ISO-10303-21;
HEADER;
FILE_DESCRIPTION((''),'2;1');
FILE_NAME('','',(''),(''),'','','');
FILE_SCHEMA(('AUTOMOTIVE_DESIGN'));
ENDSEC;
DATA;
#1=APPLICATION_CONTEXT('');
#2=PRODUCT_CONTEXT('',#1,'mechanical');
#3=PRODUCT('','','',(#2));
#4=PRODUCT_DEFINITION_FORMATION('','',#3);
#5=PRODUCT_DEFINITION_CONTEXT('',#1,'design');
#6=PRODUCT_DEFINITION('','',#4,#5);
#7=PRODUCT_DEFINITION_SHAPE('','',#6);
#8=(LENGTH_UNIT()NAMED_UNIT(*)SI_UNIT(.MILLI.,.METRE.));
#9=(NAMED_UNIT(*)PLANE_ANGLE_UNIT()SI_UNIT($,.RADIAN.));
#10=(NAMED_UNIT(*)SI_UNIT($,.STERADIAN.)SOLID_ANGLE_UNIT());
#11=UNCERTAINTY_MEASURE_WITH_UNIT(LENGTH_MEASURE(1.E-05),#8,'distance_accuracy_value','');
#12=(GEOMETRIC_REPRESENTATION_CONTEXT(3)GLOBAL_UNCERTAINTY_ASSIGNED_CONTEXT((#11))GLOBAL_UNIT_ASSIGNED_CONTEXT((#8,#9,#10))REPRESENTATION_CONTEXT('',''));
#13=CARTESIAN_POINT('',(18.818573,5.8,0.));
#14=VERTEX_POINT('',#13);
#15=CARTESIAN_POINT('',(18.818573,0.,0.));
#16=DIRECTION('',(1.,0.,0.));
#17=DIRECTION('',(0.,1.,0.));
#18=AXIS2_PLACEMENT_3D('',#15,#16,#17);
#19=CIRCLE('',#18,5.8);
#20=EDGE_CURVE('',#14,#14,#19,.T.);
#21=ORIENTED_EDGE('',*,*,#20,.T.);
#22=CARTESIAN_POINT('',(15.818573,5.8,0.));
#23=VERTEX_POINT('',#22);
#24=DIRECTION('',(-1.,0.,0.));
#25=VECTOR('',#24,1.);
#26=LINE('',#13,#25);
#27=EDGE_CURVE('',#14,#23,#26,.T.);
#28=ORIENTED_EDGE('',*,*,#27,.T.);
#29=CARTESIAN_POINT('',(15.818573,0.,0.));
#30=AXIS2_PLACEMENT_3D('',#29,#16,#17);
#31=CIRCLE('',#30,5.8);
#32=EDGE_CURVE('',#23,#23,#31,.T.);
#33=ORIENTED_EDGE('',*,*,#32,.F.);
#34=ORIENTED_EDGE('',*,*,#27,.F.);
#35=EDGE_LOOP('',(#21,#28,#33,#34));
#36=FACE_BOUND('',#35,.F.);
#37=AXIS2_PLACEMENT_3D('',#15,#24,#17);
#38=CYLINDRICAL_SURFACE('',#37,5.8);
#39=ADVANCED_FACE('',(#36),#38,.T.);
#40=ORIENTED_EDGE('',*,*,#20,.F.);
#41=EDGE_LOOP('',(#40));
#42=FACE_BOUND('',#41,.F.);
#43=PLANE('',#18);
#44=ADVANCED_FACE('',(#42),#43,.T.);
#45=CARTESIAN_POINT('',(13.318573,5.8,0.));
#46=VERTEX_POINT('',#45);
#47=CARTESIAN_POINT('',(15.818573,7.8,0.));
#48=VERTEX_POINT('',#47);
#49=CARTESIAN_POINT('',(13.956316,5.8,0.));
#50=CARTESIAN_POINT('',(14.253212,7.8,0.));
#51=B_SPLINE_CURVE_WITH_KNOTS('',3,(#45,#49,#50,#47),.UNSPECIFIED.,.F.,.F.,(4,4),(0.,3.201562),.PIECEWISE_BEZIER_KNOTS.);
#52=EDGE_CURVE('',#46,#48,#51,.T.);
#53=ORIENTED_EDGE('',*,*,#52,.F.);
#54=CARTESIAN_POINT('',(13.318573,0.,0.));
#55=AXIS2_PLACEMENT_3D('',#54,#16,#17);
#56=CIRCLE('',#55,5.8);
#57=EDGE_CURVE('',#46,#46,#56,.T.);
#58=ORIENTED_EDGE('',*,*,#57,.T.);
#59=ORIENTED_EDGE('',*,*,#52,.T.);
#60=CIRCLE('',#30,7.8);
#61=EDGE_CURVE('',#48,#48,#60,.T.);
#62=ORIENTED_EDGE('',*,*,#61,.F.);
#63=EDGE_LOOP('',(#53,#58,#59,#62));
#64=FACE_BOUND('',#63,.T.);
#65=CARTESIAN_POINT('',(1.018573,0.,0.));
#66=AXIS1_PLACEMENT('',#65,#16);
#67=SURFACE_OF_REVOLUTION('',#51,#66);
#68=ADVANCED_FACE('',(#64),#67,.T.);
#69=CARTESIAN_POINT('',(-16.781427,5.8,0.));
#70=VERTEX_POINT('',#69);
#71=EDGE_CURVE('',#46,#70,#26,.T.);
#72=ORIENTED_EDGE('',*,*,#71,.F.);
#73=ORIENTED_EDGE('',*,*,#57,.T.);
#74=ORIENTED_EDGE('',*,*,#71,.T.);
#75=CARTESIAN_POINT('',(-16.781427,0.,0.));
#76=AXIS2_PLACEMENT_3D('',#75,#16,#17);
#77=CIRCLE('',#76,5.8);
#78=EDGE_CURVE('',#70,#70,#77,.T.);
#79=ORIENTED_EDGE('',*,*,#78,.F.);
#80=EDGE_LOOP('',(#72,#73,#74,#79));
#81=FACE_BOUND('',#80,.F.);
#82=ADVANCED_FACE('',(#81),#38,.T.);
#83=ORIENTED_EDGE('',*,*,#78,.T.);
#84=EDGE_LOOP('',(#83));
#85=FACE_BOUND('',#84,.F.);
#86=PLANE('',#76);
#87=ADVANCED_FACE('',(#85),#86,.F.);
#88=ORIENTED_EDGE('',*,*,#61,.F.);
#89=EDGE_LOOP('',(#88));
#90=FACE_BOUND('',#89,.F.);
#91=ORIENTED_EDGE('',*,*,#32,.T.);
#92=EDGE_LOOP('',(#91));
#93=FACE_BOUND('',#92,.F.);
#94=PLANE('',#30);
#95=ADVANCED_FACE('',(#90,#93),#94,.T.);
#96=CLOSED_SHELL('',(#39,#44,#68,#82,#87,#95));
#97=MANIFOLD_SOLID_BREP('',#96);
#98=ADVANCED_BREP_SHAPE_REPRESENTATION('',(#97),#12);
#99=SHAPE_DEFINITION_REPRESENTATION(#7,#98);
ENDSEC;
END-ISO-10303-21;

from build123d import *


with BuildPart() as f1:
    # F0 (on Top) → F1 (revolve)
    with BuildSketch(Plane.XY):
        Polygon((-16.781427, 5.8), (-16.781427, 0), (18.818573, 0), (18.818573, 5.8), (15.818573, 5.8), (13.318573, 5.8), align=None)
        with BuildLine():
            add(Edge.make_bspline(
                [(13.318573, 5.8), (13.956316, 5.8), (14.253212, 7.8), (15.818573, 7.8)],
                knots=[0, 0, 0, 0, 3.201562, 3.201562, 3.201562, 3.201562], degree=3))
            Line((13.318573, 5.8), (15.818573, 5.8))
            Line((15.818573, 5.8), (15.818573, 7.8))
        make_face()
    revolve(axis=Axis((1.018573, 0, 0), (1, 0, 0)))


solid = f1.part
